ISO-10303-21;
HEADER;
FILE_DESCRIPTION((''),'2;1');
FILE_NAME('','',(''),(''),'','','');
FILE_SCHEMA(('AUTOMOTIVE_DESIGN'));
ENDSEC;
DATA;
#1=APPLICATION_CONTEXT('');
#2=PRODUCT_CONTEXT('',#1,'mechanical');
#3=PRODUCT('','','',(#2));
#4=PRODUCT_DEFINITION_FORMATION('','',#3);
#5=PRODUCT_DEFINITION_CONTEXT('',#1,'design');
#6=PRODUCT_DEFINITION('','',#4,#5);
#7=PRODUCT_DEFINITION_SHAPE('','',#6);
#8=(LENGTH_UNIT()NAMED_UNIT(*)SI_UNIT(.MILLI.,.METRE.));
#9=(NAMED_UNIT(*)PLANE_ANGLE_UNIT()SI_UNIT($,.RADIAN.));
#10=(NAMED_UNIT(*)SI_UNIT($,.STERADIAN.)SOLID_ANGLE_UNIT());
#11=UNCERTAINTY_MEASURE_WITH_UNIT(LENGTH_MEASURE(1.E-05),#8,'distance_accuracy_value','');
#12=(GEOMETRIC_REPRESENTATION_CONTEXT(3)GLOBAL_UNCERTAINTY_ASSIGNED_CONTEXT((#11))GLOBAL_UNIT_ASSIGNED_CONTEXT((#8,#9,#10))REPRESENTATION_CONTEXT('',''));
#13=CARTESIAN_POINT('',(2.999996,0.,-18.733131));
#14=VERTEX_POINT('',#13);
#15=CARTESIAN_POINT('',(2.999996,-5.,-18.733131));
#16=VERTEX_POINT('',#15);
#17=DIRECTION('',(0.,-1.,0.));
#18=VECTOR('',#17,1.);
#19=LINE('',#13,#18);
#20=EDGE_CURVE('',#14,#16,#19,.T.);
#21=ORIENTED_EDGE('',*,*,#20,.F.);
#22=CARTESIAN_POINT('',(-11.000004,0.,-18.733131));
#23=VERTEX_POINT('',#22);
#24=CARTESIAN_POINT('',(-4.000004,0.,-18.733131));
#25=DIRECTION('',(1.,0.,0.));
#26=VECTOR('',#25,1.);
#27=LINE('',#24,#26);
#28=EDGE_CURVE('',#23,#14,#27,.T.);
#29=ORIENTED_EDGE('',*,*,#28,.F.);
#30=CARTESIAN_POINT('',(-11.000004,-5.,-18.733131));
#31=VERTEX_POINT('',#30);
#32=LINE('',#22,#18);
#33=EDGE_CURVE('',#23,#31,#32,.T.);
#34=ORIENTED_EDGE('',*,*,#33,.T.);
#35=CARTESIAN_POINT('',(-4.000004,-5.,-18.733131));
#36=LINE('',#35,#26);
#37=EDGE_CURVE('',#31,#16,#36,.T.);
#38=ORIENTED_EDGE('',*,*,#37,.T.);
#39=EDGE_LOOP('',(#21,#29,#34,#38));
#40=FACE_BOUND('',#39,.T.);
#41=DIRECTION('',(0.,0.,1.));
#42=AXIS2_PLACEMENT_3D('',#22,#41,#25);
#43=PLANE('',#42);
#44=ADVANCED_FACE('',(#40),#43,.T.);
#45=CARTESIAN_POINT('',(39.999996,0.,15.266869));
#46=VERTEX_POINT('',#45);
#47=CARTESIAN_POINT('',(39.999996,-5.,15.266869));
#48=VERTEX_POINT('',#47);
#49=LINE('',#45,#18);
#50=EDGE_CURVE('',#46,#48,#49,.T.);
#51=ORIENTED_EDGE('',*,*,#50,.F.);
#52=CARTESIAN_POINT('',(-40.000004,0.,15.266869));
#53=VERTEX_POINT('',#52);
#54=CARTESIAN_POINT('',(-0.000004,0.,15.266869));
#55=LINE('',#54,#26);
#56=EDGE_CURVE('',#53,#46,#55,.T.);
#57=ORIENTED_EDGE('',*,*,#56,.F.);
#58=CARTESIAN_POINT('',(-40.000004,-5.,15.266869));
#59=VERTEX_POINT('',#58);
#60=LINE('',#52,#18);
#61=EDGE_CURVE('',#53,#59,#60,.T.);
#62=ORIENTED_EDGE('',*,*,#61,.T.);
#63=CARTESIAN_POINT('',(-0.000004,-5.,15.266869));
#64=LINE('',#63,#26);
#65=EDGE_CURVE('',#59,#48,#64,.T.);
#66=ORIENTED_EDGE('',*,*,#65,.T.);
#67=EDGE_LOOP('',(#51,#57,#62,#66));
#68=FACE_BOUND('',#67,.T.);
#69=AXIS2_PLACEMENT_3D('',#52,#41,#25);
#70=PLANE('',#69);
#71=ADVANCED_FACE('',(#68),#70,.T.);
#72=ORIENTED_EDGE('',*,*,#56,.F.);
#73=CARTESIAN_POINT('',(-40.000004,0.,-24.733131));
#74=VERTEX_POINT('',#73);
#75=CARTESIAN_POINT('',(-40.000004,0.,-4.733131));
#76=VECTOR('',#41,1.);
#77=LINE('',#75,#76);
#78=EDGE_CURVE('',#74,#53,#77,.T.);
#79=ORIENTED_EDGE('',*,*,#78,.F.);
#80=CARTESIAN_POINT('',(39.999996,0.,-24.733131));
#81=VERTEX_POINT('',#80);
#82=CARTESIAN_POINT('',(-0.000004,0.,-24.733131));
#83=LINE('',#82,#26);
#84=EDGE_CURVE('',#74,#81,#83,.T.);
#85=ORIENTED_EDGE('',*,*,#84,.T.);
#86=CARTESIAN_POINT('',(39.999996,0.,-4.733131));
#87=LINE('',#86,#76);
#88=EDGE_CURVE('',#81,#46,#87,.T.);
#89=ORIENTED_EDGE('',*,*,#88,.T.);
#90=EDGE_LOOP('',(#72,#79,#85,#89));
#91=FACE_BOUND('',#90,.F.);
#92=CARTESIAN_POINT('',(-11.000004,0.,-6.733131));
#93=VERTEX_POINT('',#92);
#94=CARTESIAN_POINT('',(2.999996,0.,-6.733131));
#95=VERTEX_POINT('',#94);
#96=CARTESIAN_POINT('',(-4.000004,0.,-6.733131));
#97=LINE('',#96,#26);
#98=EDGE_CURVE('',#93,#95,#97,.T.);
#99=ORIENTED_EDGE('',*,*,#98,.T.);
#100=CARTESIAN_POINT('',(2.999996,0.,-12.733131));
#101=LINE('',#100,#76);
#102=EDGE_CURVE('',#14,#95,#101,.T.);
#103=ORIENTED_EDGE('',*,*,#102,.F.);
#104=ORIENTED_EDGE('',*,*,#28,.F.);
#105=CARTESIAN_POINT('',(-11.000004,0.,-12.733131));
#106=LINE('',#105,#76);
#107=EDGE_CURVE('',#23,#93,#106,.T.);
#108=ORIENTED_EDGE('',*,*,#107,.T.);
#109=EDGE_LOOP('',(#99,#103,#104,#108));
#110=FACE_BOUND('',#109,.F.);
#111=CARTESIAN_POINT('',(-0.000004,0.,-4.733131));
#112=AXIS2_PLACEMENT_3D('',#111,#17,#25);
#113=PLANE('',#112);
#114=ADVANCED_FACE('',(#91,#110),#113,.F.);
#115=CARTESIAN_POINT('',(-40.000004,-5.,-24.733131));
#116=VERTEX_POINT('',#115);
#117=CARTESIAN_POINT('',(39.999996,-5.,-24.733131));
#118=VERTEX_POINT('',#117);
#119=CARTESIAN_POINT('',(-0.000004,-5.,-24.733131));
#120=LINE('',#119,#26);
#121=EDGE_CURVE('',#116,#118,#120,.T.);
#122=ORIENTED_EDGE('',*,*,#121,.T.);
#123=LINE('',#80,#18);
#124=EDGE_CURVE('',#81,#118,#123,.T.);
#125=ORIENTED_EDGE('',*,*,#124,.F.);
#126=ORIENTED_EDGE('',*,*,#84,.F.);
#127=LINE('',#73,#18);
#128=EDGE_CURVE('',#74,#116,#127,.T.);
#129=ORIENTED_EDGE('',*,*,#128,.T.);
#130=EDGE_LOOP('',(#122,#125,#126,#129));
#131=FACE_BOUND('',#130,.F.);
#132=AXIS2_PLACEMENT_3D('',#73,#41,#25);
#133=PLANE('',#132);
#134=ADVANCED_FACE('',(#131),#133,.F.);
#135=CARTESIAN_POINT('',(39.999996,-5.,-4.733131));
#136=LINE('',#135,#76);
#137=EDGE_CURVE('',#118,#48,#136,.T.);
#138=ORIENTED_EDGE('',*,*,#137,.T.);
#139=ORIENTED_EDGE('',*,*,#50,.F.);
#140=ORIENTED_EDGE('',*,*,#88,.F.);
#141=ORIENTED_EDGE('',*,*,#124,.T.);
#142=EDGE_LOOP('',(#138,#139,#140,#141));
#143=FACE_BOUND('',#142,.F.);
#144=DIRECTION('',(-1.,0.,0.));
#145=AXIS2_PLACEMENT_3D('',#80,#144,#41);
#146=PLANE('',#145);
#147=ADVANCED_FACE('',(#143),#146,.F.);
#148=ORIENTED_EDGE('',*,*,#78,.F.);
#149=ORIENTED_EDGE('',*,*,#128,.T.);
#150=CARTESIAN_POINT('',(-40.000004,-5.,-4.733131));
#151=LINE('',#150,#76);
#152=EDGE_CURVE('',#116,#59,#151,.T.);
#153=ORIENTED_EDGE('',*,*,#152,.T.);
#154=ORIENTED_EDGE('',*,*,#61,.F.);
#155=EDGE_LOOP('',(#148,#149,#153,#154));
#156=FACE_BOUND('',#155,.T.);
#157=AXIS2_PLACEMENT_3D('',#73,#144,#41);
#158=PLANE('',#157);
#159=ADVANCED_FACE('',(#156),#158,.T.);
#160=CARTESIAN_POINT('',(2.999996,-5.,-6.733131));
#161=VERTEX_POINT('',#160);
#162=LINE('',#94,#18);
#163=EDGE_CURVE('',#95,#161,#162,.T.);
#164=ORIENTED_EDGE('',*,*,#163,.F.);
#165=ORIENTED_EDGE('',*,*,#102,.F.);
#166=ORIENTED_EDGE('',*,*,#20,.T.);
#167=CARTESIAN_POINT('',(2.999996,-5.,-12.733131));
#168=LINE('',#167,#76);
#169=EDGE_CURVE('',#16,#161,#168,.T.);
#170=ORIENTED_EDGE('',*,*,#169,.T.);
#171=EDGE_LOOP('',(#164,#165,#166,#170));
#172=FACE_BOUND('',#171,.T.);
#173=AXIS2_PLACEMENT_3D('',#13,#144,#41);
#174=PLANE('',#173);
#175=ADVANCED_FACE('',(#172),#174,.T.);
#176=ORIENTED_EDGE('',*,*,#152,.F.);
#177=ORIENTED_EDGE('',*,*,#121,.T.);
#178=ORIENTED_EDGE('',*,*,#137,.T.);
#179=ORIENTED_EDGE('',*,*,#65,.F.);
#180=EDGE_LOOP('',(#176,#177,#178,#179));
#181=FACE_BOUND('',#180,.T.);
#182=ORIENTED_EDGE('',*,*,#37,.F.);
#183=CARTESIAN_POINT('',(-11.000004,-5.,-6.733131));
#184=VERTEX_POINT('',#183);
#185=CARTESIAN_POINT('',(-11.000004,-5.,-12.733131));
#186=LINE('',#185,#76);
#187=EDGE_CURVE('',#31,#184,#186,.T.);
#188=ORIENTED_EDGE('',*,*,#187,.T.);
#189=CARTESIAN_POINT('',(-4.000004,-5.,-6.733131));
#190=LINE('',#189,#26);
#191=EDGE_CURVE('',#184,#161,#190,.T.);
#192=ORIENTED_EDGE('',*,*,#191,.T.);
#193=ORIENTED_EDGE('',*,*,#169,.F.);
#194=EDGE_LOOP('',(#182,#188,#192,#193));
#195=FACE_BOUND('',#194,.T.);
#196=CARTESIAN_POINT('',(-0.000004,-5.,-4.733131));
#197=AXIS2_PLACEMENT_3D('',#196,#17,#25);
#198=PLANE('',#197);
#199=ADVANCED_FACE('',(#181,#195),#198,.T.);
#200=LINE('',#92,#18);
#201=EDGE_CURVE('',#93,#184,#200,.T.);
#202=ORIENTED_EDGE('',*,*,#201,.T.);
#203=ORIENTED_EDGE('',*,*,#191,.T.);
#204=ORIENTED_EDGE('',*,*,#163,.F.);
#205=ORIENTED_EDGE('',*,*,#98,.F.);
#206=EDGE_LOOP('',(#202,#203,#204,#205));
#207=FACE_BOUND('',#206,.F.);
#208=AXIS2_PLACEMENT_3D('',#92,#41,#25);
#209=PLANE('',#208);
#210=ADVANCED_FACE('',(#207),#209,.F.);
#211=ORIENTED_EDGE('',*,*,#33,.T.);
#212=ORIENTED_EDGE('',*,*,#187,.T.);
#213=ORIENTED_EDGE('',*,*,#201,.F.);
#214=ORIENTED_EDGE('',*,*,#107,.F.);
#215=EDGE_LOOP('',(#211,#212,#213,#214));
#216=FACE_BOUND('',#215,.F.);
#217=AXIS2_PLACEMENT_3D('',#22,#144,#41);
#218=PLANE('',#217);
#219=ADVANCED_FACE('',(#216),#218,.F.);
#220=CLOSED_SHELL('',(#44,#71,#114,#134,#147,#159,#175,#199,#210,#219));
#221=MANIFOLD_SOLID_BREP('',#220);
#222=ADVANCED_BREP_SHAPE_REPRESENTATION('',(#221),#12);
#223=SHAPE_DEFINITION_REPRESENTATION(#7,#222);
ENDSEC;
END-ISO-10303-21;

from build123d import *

# Parameters (mm, degrees)
F0_W     = 80
F0_H     = 40
F0_W_2   = 14
F0_H_2   = 12
F1_DEPTH = 5


with BuildPart() as f1:
    # F0 (on Front) → F1 (new body)
    with BuildSketch(Plane.XZ):
        with Locations((-4e-06, -4.733131)):
            Rectangle(F0_W, F0_H)
        with Locations((-4.000004, -12.733131)):
            Rectangle(F0_W_2, F0_H_2, mode=Mode.SUBTRACT)
    extrude(amount=F1_DEPTH)


solid = f1.part
